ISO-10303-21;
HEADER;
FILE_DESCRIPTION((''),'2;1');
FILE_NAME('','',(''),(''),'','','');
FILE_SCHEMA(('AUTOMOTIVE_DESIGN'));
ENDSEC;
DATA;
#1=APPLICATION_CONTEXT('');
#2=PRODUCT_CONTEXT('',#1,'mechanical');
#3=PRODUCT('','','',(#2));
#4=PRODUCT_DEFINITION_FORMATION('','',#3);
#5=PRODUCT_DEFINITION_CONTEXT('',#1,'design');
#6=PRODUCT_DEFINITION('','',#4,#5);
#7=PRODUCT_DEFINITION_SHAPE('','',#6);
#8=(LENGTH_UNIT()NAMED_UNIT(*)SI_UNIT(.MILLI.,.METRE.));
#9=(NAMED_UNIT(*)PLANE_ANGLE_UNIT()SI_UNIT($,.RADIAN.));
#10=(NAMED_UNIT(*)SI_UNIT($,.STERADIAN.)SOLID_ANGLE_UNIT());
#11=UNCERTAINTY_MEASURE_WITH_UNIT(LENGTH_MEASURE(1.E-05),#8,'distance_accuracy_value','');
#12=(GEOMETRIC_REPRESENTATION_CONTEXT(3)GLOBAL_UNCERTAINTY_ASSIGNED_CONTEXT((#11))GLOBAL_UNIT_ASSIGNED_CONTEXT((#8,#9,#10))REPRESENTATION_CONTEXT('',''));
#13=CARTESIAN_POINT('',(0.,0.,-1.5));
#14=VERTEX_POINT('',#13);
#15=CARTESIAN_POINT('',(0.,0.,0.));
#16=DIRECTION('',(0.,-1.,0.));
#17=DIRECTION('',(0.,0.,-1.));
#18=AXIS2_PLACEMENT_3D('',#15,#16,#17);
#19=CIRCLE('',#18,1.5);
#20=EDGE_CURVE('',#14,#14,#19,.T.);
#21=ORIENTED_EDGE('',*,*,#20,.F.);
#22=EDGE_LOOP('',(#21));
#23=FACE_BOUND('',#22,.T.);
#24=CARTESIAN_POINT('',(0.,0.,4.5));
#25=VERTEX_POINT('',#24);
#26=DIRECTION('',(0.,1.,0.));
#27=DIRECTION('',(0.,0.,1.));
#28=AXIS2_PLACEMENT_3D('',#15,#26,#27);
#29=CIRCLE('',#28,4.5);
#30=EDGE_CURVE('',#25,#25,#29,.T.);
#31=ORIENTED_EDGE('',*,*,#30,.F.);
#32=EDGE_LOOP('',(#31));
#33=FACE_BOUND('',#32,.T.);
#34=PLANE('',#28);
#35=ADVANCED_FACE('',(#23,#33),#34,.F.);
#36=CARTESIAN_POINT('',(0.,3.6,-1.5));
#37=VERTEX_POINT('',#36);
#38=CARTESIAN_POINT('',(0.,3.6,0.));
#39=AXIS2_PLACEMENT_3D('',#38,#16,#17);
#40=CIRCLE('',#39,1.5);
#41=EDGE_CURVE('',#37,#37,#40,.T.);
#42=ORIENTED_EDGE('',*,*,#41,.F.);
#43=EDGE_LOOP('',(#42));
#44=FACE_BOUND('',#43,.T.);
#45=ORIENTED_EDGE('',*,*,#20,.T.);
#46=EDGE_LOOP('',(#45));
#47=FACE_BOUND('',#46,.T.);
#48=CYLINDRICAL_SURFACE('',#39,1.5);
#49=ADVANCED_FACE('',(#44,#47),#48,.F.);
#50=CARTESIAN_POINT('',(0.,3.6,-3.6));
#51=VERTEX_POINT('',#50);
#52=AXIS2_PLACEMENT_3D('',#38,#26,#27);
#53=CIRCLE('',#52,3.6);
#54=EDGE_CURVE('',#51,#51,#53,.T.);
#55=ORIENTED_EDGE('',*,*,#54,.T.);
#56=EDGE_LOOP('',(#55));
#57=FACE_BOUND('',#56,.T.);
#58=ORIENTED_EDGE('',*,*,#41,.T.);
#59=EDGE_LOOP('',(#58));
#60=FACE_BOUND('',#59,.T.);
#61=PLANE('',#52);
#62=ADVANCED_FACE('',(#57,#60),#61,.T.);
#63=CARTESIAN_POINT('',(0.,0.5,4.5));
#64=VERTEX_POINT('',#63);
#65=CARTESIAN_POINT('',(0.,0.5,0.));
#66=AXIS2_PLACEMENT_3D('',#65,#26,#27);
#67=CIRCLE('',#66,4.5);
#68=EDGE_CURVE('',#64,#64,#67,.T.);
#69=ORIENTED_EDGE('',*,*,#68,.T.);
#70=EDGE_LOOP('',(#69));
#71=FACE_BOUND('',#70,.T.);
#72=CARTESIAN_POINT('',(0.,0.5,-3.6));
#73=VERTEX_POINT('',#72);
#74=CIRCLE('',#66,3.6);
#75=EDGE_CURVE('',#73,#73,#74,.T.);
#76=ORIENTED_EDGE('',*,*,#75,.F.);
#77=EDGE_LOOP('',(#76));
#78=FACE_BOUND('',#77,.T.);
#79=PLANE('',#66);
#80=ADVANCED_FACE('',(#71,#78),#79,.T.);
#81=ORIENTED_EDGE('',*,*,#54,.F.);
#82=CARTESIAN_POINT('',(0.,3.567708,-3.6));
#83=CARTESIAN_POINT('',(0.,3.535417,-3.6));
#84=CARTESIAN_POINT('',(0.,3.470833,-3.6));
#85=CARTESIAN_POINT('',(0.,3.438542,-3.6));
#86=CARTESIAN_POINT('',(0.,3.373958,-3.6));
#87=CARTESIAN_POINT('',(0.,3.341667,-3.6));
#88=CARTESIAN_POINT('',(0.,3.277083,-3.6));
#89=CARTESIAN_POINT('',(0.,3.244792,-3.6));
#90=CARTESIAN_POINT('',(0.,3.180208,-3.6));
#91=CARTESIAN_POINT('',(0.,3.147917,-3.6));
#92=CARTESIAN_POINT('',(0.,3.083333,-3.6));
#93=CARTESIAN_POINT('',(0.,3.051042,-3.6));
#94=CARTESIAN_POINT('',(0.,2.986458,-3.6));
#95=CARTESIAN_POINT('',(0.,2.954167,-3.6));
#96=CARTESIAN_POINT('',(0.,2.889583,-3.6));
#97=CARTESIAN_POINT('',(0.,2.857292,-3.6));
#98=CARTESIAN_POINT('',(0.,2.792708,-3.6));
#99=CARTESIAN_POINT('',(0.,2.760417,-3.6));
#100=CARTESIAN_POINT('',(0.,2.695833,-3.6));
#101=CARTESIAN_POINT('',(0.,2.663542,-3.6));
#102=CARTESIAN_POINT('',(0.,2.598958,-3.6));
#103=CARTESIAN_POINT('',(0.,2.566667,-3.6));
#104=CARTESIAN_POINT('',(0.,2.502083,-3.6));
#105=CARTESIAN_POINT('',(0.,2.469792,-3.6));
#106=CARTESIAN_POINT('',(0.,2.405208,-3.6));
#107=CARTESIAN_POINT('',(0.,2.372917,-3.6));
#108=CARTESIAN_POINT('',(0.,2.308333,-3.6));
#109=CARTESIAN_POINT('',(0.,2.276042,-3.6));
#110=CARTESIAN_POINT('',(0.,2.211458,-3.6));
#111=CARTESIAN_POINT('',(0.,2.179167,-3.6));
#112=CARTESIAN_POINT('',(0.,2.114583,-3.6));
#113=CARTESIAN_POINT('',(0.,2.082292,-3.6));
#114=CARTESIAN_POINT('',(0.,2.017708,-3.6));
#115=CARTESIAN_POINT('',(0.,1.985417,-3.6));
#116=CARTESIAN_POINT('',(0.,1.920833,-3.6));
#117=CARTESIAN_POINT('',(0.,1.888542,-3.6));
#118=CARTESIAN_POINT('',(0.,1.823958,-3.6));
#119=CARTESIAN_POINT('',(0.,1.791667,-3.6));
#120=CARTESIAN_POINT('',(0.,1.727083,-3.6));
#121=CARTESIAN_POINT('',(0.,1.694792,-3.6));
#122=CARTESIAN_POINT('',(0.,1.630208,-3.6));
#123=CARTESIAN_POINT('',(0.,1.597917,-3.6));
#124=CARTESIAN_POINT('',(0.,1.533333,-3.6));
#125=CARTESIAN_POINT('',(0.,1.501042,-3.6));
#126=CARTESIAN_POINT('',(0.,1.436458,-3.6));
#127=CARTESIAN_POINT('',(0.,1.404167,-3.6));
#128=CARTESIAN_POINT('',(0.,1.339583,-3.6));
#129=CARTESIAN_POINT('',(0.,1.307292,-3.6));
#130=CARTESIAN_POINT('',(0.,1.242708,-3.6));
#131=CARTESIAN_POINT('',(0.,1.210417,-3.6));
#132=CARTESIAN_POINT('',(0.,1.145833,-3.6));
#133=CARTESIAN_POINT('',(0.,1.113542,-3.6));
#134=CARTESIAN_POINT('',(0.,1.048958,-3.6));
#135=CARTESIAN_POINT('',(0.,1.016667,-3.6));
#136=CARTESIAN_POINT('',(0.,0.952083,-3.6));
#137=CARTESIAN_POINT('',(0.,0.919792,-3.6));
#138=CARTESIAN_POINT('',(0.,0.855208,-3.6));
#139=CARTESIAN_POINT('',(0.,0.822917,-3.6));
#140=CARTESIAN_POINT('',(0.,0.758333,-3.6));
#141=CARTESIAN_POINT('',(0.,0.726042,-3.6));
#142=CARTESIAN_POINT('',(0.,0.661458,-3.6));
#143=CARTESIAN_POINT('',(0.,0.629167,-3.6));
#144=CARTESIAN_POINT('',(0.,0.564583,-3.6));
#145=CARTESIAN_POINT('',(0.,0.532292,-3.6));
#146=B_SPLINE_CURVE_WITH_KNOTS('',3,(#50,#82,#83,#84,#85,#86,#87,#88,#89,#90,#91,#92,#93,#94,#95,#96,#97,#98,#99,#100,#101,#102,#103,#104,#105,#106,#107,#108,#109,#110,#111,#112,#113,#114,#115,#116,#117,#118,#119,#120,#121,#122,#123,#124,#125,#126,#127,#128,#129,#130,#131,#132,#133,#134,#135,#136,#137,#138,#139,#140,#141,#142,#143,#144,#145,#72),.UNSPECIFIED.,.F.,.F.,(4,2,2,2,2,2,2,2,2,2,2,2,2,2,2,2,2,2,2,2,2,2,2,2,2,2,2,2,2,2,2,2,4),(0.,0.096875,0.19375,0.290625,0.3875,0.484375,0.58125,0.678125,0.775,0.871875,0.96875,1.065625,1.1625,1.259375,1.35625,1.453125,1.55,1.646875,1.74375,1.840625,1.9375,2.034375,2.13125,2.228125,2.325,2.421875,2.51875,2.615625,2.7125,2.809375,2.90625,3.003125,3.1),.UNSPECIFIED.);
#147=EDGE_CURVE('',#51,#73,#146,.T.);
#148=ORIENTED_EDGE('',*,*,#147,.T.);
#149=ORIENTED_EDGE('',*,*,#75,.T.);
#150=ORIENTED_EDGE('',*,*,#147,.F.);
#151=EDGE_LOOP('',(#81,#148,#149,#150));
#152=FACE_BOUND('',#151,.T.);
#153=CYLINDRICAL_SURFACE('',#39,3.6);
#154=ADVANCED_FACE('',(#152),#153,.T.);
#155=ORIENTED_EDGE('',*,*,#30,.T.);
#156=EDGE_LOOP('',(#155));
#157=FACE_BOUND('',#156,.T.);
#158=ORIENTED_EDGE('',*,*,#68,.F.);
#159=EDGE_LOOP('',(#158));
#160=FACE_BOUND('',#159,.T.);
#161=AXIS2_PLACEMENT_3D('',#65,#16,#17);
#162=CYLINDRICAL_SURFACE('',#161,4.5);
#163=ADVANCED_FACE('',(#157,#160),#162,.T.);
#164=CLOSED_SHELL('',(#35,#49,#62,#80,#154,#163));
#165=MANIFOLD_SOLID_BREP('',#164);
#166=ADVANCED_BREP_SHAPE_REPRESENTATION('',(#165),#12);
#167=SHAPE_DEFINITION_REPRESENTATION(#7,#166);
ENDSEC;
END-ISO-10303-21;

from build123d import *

# Parameters (mm, degrees)
SKETCH_1_R          = 4.5
EXTRUDE_1_DEPTH     = 0.5
SKETCH_2_R          = 3.6
EXTRUDE_2_DEPTH     = 3.1
SKETCH_3_R          = 1.5
CUT_EXTRUDE_1_DEPTH = 8.311634564


with BuildPart() as part:
    # 草图1 → 凸台-拉伸1 (new body)
    with BuildSketch(Plane(origin=(0, 0, 0), x_dir=(1, 0, 0), z_dir=(0, 1, 0))):
        with Locations(Location((0, 0, 0), (0, 0, 270))):
            Circle(SKETCH_1_R)
    extrude(amount=EXTRUDE_1_DEPTH)

    # 草图2 → 凸台-拉伸2 (add)
    with BuildSketch(Plane(origin=(0, 0.5, 0), x_dir=(1, 0, 0), z_dir=(0, 1, 0))):
        with Locations(Location((0, 0, 0), (0, 0, 90))):
            Circle(SKETCH_2_R)
    extrude(amount=EXTRUDE_2_DEPTH)

    # 草图3 → 切除-拉伸1 (cut, through all)
    with BuildSketch(Plane.XZ):
        with Locations(Location((0, 0, 0), (0, 0, 270))):
            Circle(SKETCH_3_R)
    extrude(amount=-CUT_EXTRUDE_1_DEPTH, mode=Mode.SUBTRACT)


solid = part.part
